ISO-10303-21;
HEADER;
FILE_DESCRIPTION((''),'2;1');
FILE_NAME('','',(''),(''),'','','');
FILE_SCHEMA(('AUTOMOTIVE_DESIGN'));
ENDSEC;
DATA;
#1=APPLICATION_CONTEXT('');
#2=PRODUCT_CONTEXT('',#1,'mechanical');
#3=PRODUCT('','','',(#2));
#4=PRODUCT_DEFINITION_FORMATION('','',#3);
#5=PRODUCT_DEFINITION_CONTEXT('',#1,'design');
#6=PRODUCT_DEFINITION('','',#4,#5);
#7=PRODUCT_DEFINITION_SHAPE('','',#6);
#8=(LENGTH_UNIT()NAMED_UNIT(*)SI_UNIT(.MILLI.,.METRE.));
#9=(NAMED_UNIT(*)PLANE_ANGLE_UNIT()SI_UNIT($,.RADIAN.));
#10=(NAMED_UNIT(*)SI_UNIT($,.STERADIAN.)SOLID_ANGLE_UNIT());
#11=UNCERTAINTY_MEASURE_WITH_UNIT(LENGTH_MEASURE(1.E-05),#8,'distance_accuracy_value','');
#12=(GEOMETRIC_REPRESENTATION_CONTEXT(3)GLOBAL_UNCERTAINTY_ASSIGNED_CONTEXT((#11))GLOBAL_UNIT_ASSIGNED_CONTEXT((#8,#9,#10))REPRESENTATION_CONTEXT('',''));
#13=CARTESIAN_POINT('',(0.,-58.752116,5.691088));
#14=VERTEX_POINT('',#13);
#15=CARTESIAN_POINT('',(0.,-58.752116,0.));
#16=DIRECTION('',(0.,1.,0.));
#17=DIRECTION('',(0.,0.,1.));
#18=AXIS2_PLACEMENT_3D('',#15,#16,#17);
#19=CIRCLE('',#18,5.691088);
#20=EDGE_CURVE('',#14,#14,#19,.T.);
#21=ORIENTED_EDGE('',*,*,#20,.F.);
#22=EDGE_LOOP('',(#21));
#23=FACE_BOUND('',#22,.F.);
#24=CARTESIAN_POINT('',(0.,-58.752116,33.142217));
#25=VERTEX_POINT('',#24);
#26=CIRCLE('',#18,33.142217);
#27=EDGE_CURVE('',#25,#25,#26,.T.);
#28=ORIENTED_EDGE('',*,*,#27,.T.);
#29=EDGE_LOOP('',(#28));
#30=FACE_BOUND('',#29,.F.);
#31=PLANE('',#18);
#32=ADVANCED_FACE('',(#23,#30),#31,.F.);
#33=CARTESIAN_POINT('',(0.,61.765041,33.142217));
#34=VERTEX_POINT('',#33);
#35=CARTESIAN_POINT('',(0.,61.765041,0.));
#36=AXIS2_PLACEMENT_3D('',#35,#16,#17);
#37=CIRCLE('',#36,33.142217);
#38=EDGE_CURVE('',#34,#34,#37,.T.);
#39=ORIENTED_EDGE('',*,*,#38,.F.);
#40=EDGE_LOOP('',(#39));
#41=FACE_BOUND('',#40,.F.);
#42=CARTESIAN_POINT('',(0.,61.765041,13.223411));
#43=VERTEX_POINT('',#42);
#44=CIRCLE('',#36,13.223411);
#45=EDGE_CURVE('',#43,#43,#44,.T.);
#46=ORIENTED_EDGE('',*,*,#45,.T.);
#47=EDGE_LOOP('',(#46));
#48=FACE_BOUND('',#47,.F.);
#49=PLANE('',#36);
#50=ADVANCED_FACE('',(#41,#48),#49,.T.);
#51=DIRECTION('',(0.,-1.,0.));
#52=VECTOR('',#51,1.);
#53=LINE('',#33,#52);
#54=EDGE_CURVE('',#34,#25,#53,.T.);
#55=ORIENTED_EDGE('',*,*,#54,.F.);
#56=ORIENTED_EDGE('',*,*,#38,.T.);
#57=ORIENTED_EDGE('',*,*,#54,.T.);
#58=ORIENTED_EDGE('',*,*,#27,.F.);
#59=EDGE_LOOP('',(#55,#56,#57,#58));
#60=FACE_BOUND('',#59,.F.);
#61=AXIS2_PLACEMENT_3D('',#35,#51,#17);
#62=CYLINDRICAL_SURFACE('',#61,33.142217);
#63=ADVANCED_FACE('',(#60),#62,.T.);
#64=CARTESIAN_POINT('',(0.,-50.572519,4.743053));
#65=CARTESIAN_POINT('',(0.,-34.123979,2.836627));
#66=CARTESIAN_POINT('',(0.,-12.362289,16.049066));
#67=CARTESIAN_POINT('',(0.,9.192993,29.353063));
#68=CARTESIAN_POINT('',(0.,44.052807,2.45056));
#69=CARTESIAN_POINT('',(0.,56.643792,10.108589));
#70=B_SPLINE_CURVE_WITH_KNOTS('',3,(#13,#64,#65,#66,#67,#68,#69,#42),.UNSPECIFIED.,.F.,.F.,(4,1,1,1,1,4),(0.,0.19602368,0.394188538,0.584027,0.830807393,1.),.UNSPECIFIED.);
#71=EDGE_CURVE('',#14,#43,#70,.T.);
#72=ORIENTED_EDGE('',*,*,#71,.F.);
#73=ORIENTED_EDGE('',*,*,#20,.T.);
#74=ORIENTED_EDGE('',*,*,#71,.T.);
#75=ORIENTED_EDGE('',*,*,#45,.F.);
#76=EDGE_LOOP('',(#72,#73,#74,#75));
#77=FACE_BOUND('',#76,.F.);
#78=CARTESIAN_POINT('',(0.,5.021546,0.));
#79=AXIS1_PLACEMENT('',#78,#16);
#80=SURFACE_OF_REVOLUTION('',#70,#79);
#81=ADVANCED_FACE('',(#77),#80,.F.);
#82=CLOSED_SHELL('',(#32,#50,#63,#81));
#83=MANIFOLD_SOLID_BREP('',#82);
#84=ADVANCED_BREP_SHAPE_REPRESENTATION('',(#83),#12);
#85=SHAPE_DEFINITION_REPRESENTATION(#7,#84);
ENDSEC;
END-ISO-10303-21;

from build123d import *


with BuildPart() as f2:
    # F0 (on Right) → F2 (revolve)
    with BuildSketch(Plane.YZ):
        with BuildLine():
            Line((-58.7521158159, 33.1422165036), (-58.7521158159, 5.6910882704))
            add(Edge.make_bspline(
                [(-58.7521158159, 5.6910882704), (-50.5725188467, 4.7430531442), (-34.1239787518, 2.8366274556), (-12.3622890797, 16.0490658107), (9.1929930699, 29.3530632258), (44.0528070035, 2.45055982), (56.6437917034, 10.1085885939), (61.7650412023, 13.223410584)],
                knots=[0, 0, 0, 0, 0.1960236804, 0.3941885376, 0.5840269995, 0.8308073935, 1, 1, 1, 1], degree=3))
            Line((61.7650412023, 13.223410584), (61.7650412023, 33.1422165036))
            Line((61.7650412023, 33.1422165036), (-58.7521158159, 33.1422165036))
        make_face()
    revolve(axis=Axis((0, 5.021546036, 0), (0, 1, 0)))


solid = f2.part
